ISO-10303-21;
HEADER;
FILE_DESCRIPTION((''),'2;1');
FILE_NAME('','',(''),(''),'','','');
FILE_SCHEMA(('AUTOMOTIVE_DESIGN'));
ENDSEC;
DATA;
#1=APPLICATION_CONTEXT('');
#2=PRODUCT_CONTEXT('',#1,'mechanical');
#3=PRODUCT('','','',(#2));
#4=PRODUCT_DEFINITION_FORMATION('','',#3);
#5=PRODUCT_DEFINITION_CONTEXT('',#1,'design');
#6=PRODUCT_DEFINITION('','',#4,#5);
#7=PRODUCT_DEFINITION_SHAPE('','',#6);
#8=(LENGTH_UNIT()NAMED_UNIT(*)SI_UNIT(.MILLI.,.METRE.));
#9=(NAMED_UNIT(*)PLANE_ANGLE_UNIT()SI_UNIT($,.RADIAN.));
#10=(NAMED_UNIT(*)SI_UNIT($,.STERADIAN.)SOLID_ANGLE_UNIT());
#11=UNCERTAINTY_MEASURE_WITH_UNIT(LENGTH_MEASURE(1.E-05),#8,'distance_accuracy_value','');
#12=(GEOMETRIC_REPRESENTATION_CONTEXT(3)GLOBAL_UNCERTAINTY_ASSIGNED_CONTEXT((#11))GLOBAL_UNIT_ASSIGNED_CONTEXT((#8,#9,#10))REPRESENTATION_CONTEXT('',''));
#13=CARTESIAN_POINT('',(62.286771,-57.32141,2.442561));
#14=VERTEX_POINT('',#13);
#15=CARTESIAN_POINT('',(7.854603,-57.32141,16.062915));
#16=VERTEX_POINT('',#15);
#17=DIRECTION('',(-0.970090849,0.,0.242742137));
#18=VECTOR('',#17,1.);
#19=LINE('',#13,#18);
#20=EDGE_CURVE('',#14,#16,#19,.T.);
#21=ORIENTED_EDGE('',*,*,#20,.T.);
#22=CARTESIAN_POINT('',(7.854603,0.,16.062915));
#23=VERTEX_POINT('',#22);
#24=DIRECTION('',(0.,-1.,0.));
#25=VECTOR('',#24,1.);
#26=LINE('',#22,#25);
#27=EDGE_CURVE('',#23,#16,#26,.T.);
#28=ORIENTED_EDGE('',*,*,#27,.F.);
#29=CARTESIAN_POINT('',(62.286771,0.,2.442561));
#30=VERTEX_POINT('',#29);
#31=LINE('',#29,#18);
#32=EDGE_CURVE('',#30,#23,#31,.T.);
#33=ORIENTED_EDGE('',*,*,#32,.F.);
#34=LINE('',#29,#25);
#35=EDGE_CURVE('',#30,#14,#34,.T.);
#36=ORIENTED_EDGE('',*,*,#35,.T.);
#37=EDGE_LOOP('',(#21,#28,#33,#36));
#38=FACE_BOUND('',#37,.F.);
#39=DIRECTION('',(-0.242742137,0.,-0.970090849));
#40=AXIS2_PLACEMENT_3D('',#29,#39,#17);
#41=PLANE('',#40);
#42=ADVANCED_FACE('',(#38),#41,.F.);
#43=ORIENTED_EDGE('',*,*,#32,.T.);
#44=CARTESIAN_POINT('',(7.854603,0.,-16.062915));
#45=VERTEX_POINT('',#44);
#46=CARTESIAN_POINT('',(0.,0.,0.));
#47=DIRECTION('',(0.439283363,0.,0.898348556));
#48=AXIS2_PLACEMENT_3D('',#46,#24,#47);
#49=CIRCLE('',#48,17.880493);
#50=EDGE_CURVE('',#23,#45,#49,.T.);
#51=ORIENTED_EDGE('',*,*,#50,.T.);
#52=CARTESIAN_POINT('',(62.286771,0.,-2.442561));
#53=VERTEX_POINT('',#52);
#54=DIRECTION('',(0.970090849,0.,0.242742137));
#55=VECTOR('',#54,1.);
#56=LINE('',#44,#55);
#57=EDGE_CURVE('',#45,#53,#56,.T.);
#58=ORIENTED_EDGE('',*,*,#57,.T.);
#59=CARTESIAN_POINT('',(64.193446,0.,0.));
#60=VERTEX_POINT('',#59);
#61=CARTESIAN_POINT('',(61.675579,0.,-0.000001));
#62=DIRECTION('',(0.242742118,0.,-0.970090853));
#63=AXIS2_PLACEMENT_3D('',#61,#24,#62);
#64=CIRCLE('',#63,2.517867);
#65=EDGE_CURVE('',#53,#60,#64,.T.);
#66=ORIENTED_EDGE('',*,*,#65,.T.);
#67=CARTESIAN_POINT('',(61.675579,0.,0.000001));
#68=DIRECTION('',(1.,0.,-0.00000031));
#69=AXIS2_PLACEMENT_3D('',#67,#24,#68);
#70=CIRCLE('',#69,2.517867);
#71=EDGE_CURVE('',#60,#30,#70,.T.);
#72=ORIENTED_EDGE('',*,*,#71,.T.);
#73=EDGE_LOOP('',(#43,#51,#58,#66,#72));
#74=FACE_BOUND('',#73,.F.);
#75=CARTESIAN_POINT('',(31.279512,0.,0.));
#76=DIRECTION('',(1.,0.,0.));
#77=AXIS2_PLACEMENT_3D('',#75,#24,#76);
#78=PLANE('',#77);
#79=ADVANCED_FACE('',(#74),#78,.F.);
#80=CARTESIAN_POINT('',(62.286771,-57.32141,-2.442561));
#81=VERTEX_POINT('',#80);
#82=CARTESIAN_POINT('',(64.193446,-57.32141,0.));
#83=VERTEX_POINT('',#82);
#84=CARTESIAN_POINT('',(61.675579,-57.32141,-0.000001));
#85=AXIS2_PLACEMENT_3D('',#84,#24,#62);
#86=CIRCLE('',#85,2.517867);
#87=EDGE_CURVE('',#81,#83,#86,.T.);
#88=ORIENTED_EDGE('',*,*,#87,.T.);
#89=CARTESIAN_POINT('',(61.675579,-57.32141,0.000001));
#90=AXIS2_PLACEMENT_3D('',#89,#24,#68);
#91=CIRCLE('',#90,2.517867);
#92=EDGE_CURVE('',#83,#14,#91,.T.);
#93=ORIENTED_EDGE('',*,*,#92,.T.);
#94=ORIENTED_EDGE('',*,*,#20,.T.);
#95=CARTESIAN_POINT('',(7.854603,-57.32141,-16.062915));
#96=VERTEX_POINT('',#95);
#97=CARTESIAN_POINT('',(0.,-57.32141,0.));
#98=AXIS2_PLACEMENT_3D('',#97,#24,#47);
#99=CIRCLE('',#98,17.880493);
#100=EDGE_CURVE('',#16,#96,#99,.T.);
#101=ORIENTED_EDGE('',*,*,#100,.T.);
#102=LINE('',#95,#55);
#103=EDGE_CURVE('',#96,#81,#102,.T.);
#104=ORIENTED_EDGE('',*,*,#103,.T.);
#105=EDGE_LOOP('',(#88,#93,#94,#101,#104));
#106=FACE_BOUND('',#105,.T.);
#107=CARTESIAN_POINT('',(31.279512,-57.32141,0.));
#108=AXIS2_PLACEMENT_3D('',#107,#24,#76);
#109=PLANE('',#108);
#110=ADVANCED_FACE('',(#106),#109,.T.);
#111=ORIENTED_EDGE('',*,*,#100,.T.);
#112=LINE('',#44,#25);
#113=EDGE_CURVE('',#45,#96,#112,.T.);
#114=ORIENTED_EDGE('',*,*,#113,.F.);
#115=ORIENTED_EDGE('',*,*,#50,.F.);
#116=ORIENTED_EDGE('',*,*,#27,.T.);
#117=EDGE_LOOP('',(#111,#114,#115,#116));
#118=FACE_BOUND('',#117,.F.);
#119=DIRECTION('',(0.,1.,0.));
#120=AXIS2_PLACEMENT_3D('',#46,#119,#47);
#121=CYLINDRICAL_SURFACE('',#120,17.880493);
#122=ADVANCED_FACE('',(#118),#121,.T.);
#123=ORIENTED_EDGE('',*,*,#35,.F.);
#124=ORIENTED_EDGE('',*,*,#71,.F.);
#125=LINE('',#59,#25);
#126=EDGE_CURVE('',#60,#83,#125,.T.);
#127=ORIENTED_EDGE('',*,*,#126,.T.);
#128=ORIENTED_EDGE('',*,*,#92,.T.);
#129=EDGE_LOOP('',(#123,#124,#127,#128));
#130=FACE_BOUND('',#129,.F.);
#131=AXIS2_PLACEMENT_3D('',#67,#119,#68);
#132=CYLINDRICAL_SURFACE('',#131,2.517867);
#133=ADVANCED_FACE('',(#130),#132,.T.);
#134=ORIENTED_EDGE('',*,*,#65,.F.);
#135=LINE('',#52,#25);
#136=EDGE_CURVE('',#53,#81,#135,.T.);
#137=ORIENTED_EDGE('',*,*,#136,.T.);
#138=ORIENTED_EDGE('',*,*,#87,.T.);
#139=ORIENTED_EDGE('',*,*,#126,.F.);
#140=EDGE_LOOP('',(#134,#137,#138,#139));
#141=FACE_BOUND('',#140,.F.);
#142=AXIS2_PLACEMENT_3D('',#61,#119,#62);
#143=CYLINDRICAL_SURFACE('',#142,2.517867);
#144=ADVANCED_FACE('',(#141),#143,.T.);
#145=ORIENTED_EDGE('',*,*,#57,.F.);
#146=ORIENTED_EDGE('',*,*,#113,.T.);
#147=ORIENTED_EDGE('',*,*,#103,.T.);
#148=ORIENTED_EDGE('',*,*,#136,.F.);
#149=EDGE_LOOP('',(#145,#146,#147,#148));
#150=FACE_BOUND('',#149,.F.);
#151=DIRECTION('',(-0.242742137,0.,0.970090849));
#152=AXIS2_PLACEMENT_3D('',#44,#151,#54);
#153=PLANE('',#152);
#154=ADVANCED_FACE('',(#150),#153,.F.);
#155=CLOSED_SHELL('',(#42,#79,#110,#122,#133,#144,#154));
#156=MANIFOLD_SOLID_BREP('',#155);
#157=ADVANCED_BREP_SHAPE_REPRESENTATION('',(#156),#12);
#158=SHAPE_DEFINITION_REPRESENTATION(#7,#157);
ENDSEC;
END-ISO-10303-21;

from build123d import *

# Parameters (mm, degrees)
F1_DEPTH = 57.32141


with BuildPart() as f1:
    # F0 (on Front) → F1 (new body)
    with BuildSketch(Plane.XZ):
        with BuildLine():
            ThreePointArc((7.854603, 16.062915), (15.168325, 9.467519), (17.880493, 0))
            ThreePointArc((17.880493, 0), (15.168325, -9.467519), (7.854603, -16.062915))
            Line((7.854603, -16.062915), (62.286771, -2.442561))
            ThreePointArc((62.286771, -2.442561), (59.15771, 0), (62.286771, 2.442561))
            Line((62.286771, 2.442561), (7.854603, 16.062915))
        make_face()
        with BuildLine():
            ThreePointArc((64.193446, 0), (63.660341, 1.549315), (62.286771, 2.442561))
            ThreePointArc((62.286771, 2.442561), (59.15771, 0), (62.286771, -2.442561))
            ThreePointArc((62.286771, -2.442561), (63.660341, -1.549315), (64.193446, 0))
        make_face()
        with BuildLine():
            ThreePointArc((7.854603, -16.062915), (15.168325, -9.467519), (17.880493, 0))
            ThreePointArc((17.880493, 0), (15.168325, 9.467519), (7.854603, 16.062915))
            ThreePointArc((7.854603, 16.062915), (-17.880493, 0), (7.854603, -16.062915))
        make_face()
    extrude(amount=F1_DEPTH)


solid = f1.part
